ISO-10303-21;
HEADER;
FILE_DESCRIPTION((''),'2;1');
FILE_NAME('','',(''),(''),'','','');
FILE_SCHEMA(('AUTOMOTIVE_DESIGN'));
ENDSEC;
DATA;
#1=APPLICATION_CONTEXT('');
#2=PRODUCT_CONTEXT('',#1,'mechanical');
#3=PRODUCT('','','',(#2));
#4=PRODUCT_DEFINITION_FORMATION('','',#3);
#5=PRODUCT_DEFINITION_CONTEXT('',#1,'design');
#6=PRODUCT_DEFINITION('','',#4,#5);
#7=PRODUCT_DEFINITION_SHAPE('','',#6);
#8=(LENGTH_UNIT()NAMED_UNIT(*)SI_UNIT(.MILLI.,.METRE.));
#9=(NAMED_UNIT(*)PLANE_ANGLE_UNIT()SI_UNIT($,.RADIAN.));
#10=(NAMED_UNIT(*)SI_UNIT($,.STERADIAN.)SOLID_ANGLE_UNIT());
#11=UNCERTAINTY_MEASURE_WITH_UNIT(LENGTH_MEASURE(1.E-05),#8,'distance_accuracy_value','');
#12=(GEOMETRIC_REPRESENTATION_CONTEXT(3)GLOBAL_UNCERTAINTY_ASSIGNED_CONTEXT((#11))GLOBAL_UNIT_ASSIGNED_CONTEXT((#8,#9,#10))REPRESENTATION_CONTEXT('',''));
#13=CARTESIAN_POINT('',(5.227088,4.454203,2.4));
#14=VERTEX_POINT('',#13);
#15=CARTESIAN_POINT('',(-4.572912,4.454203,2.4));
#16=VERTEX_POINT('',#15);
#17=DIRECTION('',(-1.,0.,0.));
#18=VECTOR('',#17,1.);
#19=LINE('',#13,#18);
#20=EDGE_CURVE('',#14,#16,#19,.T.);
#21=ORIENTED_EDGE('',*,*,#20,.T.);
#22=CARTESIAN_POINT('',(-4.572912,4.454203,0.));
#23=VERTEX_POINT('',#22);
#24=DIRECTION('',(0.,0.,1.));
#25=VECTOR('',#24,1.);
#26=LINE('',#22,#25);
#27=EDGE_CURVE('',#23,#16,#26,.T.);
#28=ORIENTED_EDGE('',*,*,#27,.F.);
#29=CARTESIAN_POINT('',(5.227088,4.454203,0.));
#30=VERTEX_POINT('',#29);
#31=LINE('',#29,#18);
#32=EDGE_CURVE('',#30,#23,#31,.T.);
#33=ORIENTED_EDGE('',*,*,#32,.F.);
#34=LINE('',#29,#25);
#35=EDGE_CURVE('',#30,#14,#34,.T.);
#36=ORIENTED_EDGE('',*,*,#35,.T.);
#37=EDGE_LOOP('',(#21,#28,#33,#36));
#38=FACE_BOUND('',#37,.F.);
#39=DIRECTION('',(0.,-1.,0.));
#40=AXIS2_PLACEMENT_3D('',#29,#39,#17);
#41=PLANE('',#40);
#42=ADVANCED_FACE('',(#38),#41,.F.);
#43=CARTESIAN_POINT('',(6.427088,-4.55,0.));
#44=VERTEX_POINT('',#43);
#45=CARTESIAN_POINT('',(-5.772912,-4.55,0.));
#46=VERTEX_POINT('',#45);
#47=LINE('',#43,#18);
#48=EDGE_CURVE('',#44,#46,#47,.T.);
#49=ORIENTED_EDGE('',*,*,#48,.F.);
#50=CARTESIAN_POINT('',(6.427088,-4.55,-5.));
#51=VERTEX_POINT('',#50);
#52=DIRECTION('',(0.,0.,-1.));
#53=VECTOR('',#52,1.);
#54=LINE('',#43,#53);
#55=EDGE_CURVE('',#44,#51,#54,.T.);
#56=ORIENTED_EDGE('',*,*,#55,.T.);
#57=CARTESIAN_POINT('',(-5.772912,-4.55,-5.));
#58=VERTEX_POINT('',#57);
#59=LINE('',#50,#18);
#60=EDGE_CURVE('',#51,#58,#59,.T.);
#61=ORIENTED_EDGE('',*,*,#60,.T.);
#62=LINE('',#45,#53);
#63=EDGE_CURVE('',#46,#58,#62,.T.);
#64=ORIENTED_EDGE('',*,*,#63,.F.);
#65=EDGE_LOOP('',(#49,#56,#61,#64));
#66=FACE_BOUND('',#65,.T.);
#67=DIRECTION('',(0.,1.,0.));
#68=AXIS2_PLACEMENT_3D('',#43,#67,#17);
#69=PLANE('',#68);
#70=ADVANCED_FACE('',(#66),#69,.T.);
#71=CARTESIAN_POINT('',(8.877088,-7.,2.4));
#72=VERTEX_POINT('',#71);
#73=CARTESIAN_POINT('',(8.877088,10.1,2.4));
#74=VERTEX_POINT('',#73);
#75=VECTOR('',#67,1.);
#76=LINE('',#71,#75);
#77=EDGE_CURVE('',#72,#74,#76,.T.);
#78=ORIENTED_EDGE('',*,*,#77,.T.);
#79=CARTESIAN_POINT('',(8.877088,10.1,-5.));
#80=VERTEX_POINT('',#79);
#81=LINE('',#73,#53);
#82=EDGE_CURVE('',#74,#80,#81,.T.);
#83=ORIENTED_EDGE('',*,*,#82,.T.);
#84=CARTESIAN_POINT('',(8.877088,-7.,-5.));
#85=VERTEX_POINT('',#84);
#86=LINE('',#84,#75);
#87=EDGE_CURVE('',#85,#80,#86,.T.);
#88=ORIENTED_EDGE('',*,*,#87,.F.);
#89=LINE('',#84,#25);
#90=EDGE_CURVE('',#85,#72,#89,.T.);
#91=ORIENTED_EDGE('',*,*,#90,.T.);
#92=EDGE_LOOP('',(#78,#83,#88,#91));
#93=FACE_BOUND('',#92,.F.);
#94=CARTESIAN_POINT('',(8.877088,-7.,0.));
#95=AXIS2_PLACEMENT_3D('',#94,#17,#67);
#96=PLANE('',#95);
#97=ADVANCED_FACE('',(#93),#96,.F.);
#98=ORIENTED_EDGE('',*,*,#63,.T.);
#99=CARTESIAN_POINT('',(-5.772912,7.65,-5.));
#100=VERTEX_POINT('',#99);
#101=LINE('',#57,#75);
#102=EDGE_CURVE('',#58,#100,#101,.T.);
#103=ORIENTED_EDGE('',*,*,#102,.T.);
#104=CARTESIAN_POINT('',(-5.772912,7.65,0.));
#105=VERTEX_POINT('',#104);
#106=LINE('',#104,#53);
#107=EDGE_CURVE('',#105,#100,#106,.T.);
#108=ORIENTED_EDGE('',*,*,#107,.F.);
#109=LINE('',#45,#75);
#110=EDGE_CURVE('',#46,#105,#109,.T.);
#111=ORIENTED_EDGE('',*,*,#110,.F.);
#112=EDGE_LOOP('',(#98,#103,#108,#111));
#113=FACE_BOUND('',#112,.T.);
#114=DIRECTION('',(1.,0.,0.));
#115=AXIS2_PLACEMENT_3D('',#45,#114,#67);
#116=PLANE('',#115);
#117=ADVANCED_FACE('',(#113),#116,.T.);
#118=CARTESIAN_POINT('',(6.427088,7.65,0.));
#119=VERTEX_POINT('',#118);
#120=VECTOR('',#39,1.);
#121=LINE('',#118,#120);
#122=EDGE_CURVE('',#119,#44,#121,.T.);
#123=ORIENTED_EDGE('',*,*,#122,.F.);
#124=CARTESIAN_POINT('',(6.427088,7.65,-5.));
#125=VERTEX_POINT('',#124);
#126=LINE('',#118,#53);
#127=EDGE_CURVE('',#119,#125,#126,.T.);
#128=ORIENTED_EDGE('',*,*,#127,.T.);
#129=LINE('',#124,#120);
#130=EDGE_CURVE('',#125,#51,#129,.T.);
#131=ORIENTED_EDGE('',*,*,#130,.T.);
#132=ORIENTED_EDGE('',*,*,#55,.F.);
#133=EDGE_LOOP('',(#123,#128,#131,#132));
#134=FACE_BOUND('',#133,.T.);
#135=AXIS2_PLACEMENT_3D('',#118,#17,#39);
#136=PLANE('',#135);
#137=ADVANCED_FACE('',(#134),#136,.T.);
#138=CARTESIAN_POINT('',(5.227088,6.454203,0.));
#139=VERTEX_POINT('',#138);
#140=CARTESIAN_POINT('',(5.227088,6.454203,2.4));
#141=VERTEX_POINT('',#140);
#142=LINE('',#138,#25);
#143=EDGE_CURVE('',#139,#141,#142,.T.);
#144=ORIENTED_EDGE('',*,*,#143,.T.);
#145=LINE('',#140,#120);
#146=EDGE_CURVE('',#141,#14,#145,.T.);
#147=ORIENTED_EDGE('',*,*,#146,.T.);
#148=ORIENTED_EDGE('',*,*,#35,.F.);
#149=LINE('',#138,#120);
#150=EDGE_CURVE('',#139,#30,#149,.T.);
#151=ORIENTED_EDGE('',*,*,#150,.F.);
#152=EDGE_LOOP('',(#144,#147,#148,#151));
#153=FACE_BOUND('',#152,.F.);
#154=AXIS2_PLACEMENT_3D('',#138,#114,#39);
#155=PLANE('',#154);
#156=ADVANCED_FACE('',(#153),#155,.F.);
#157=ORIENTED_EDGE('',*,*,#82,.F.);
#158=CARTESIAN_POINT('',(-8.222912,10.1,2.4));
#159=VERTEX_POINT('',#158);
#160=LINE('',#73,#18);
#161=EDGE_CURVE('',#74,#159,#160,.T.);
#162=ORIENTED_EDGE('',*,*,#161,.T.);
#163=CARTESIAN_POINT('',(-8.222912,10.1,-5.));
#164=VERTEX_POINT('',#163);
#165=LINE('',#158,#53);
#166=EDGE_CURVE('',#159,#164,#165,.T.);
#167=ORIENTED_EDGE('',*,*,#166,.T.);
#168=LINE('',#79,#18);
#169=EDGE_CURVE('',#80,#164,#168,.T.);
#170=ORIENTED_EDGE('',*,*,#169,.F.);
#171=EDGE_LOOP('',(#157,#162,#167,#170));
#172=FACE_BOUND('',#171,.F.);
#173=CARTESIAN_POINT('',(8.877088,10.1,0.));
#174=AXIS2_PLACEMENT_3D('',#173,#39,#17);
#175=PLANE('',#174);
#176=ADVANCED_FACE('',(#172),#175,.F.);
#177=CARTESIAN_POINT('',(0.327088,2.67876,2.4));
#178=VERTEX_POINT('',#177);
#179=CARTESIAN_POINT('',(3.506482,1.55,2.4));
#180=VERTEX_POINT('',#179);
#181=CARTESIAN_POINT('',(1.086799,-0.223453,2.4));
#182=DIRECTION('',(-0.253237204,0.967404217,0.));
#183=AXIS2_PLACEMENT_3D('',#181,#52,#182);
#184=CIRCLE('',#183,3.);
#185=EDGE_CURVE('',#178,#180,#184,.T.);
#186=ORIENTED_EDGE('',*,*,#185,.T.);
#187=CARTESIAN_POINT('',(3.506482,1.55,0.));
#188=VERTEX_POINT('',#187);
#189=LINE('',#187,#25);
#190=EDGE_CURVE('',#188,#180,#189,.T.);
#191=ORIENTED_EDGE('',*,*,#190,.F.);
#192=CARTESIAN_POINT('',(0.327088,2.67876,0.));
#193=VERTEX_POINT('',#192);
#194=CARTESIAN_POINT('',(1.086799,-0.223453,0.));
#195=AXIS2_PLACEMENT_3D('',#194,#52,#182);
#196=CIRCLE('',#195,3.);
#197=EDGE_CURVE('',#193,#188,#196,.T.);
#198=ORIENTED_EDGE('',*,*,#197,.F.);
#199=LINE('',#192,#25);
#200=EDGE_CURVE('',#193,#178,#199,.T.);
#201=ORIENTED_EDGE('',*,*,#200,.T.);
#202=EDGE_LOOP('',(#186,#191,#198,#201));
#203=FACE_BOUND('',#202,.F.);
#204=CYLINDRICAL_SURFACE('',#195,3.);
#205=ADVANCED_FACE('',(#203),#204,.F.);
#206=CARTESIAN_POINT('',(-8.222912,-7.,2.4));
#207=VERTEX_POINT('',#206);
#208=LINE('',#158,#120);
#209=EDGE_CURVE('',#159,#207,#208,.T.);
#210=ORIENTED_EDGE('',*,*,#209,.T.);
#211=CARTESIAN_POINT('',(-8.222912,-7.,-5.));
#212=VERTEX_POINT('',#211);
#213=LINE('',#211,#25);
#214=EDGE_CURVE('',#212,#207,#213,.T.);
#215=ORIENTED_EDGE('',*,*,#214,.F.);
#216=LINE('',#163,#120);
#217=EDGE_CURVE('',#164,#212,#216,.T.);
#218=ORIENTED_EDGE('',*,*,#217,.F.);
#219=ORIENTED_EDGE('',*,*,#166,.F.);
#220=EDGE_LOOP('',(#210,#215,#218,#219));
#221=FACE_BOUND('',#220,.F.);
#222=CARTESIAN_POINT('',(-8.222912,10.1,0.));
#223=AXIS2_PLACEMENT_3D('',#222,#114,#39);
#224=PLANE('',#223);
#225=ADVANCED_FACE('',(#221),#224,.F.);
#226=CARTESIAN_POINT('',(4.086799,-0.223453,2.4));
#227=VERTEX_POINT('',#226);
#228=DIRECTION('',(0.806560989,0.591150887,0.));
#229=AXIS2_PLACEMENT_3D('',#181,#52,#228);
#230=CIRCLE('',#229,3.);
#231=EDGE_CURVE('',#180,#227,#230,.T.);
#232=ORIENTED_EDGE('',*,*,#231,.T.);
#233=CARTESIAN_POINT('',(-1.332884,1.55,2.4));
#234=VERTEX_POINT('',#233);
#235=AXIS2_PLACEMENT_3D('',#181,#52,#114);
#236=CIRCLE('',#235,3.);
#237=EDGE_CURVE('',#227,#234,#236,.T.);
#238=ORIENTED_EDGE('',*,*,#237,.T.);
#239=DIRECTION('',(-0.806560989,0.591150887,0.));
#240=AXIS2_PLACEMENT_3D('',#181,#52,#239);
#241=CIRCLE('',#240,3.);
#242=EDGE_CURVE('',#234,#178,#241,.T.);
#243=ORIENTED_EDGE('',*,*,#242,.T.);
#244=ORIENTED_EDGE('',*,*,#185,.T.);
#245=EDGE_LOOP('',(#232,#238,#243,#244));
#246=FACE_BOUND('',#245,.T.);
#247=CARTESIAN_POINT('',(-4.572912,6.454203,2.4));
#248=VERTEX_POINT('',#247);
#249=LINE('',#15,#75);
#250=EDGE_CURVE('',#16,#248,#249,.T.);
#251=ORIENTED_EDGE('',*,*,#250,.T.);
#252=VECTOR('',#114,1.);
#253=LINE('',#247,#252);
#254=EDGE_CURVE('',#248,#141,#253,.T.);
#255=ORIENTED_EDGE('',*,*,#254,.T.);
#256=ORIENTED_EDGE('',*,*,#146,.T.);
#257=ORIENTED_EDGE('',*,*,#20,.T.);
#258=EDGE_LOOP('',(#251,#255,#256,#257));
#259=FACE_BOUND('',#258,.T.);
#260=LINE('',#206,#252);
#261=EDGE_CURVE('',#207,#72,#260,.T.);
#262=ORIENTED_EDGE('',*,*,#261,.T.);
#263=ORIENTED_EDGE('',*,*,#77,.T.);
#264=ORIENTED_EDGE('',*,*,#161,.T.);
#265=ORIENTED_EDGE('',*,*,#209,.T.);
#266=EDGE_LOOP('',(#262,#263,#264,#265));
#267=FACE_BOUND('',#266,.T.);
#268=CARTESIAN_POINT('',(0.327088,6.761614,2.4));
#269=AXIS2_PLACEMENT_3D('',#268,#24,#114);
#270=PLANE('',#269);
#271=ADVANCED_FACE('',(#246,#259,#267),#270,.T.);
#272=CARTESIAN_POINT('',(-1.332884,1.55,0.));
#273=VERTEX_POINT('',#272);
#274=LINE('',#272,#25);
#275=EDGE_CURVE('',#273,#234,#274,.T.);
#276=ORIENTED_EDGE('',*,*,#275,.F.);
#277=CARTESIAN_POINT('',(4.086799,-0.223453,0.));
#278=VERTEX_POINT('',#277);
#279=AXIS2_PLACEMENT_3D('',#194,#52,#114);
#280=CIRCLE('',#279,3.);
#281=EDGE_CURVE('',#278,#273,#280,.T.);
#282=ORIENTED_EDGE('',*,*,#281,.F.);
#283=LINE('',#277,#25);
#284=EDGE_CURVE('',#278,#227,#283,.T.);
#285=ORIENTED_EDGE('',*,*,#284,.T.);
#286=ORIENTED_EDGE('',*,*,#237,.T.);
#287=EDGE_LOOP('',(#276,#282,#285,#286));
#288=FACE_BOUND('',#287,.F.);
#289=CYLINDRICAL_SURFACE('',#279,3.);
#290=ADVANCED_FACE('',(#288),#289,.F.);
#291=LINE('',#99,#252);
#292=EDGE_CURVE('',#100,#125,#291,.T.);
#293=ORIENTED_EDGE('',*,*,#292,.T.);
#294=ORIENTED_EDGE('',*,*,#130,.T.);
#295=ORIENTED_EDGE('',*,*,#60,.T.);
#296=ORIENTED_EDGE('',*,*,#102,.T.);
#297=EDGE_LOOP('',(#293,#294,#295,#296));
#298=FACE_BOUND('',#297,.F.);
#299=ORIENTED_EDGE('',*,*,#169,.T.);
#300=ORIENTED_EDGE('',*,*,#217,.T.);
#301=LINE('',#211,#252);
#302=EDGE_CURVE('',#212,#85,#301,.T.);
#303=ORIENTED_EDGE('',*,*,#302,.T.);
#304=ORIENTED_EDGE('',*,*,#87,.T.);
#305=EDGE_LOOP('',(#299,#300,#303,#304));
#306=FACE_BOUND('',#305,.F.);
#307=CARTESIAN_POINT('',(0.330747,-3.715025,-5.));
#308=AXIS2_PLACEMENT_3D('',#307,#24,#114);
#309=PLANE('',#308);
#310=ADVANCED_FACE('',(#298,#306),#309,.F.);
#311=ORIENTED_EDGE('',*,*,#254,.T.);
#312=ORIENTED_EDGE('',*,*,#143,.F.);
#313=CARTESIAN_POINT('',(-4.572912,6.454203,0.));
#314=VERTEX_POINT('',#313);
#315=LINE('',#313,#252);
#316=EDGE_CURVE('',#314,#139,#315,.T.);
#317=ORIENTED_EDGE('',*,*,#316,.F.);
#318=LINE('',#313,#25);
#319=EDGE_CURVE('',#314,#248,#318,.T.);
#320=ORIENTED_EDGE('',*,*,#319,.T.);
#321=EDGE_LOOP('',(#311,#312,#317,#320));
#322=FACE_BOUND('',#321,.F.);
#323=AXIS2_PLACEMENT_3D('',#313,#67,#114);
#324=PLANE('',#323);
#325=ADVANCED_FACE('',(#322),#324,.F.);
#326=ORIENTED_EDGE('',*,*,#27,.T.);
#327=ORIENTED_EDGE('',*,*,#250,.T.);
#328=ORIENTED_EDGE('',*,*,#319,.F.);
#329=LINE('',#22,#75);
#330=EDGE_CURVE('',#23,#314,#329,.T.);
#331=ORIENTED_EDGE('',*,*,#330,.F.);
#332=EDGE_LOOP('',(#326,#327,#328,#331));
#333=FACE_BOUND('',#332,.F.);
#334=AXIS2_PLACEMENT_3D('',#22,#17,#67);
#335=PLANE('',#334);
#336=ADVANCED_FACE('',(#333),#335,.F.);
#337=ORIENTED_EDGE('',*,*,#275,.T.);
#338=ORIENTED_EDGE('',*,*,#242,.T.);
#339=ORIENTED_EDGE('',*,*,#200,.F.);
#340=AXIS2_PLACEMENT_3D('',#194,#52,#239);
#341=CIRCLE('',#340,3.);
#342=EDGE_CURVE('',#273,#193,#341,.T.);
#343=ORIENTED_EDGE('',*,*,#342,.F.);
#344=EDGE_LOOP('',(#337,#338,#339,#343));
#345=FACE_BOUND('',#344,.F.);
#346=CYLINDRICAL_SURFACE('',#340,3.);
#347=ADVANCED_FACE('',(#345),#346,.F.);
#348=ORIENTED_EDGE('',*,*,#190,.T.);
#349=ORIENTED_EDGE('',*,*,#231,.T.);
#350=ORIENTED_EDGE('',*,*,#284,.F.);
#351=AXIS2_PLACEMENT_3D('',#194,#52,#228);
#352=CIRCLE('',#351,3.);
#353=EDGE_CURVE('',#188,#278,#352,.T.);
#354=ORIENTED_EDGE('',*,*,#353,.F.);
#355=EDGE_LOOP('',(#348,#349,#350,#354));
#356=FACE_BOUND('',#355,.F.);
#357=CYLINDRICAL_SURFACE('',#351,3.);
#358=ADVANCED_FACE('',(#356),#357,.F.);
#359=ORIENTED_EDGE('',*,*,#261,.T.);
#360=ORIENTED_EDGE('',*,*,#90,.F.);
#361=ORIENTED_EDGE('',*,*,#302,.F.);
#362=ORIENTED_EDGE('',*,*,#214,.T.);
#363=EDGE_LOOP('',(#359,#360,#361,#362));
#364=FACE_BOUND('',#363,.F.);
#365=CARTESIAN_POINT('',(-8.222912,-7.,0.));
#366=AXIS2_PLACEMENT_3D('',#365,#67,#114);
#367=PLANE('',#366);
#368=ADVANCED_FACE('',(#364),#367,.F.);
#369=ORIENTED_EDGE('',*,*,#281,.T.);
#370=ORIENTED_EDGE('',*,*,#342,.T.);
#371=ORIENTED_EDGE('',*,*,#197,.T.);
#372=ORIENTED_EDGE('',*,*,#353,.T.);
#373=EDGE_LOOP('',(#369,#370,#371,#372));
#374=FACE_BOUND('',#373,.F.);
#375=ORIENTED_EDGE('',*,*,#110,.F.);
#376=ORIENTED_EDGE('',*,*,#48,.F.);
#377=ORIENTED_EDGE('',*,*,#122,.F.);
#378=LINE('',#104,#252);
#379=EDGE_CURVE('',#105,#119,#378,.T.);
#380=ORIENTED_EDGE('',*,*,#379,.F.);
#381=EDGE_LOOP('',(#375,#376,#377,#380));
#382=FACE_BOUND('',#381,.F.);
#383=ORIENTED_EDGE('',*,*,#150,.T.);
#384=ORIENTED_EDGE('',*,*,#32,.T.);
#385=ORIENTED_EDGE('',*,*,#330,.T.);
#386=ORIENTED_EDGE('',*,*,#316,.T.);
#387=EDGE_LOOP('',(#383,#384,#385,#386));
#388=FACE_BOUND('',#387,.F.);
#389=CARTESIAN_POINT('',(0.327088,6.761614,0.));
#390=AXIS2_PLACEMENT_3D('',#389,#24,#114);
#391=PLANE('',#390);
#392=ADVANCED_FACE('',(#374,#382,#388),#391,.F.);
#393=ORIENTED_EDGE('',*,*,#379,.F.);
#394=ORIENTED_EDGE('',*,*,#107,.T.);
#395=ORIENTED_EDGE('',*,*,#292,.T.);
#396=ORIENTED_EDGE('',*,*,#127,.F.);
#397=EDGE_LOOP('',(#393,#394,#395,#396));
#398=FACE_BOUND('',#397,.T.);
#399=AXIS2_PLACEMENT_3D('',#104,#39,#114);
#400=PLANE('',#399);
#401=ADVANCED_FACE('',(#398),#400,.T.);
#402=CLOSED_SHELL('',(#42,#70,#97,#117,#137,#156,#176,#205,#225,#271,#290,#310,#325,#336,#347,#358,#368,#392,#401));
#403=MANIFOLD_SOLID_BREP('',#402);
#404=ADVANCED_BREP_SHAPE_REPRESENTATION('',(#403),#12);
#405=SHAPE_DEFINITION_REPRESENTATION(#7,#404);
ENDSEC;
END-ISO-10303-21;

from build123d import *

# Parameters (mm, degrees)
F1_DEPTH = 5
F2_DEPTH = 2.4


with BuildPart() as f1:
    # F0 (on Top) → F1 (new body)
    with BuildSketch(Plane.XY):
        with BuildLine():
            Line((-8.2229121849, -7), (8.8770878151, -7))
            Line((8.8770878151, -7), (8.8770878151, -4.5))
            Line((8.8770878151, -4.5), (8.8770878151, 1.55))
            Line((8.8770878151, 1.55), (6.4270878151, 1.55))
            Line((6.4270878151, 1.55), (6.4270878151, -4.55))
            Line((6.4270878151, -4.55), (3.9714117296, -4.55))
            ThreePointArc((3.9714117296, -4.55), (1.0867994279, -5.4234526619), (-1.7978128738, -4.55))
            Line((-1.7978128738, -4.55), (-5.7729121849, -4.55))
            Line((-5.7729121849, -4.55), (-5.7729121849, 1.55))
            Line((-5.7729121849, 1.55), (-8.2229121849, 1.55))
            Line((-8.2229121849, 1.55), (-8.2229121849, -7))
        make_face()
        Polygon((-8.2229121849, 10.1), (-8.2229121849, 1.55), (-5.7729121849, 1.55), (-5.7729121849, 7.65), (6.4270878151, 7.65), (6.4270878151, 1.55), (8.8770878151, 1.55), (8.8770878151, 7.6), (8.8770878151, 10.1), align=None)
        with BuildLine():
            Line((3.9714117296, -4.55), (-1.7978128738, -4.55))
            ThreePointArc((-1.7978128738, -4.55), (1.0867994279, -5.4234526619), (3.9714117296, -4.55))
        make_face()
    extrude(amount=-F1_DEPTH)

    # F0 (on Top) → F2 (join)
    with BuildSketch(Plane.XY):
        Polygon((-8.2229121849, 10.1), (-8.2229121849, 1.55), (-5.7729121849, 1.55), (-5.7729121849, 7.65), (6.4270878151, 7.65), (6.4270878151, 1.55), (8.8770878151, 1.55), (8.8770878151, 7.6), (8.8770878151, 10.1), align=None)
        with BuildLine():
            Line((-5.7729121849, 7.65), (-5.7729121849, 1.55))
            Line((-5.7729121849, 1.55), (-3.8014380516, 1.55))
            ThreePointArc((-3.8014380516, 1.55), (-2.776349623, 3.2573632497), (-1.1846618734, 4.4542031139))
            Line((-1.1846618734, 4.4542031139), (-4.5729121849, 4.4542031139))
            Line((-4.5729121849, 4.4542031139), (-4.5729121849, 6.4542031139))
            Line((-4.5729121849, 6.4542031139), (5.2270878151, 6.4542031139))
            Line((5.2270878151, 6.4542031139), (5.2270878151, 4.4542031139))
            Line((5.2270878151, 4.4542031139), (3.3582607291, 4.4542031139))
            ThreePointArc((3.3582607291, 4.4542031139), (4.9499484788, 3.2573632497), (5.9750369074, 1.55))
            Line((5.9750369074, 1.55), (6.4270878151, 1.55))
            Line((6.4270878151, 1.55), (6.4270878151, 7.65))
            Line((6.4270878151, 7.65), (-5.7729121849, 7.65))
        make_face()
        with BuildLine():
            ThreePointArc((-1.1846618734, 4.4542031139), (-2.776349623, 3.2573632497), (-3.8014380516, 1.55))
            Line((-3.8014380516, 1.55), (-1.3328835382, 1.55))
            ThreePointArc((-1.3328835382, 1.55), (-0.6001096537, 2.2573411124), (0.3270878151, 2.678759988))
            Line((0.3270878151, 2.678759988), (0.3270878151, 4.4542031139))
            Line((0.3270878151, 4.4542031139), (-1.1846618734, 4.4542031139))
        make_face()
        with BuildLine():
            Line((3.5064823939, 1.55), (5.9750369074, 1.55))
            ThreePointArc((5.9750369074, 1.55), (4.9499484788, 3.2573632497), (3.3582607291, 4.4542031139))
            Line((3.3582607291, 4.4542031139), (0.3270878151, 4.4542031139))
            Line((0.3270878151, 4.4542031139), (0.3270878151, 2.678759988))
            ThreePointArc((0.3270878151, 2.678759988), (2.0904931068, 2.6036658356), (3.5064823939, 1.55))
        make_face()
        with BuildLine():
            Line((-1.3328835382, 1.55), (-3.8014380516, 1.55))
            ThreePointArc((-3.8014380516, 1.55), (-3.8535242893, -1.8461669219), (-1.7978128738, -4.55))
            Line((-1.7978128738, -4.55), (3.9714117296, -4.55))
            ThreePointArc((3.9714117296, -4.55), (5.6715559082, -2.6770231246), (6.2867994279, -0.2234526619))
            ThreePointArc((6.2867994279, -0.2234526619), (6.2082657654, 0.6768709207), (5.9750369074, 1.55))
            Line((5.9750369074, 1.55), (3.5064823939, 1.55))
            ThreePointArc((3.5064823939, 1.55), (3.938031521, 0.7095401307), (4.0867994279, -0.2234526619))
            ThreePointArc((4.0867994279, -0.2234526619), (0.1538066353, -3.074684755), (-1.3328835382, 1.55))
        make_face()
        with BuildLine():
            Line((-3.8014380516, 1.55), (-5.7729121849, 1.55))
            Line((-5.7729121849, 1.55), (-5.7729121849, -4.55))
            Line((-5.7729121849, -4.55), (-1.7978128738, -4.55))
            ThreePointArc((-1.7978128738, -4.55), (-3.8535242893, -1.8461669219), (-3.8014380516, 1.55))
        make_face()
        with BuildLine():
            Line((-8.2229121849, -7), (8.8770878151, -7))
            Line((8.8770878151, -7), (8.8770878151, -4.5))
            Line((8.8770878151, -4.5), (8.8770878151, 1.55))
            Line((8.8770878151, 1.55), (6.4270878151, 1.55))
            Line((6.4270878151, 1.55), (6.4270878151, -4.55))
            Line((6.4270878151, -4.55), (3.9714117296, -4.55))
            ThreePointArc((3.9714117296, -4.55), (1.0867994279, -5.4234526619), (-1.7978128738, -4.55))
            Line((-1.7978128738, -4.55), (-5.7729121849, -4.55))
            Line((-5.7729121849, -4.55), (-5.7729121849, 1.55))
            Line((-5.7729121849, 1.55), (-8.2229121849, 1.55))
            Line((-8.2229121849, 1.55), (-8.2229121849, -7))
        make_face()
        with BuildLine():
            Line((3.9714117296, -4.55), (-1.7978128738, -4.55))
            ThreePointArc((-1.7978128738, -4.55), (1.0867994279, -5.4234526619), (3.9714117296, -4.55))
        make_face()
        with BuildLine():
            Line((6.4270878151, -4.55), (6.4270878151, 1.55))
            Line((6.4270878151, 1.55), (5.9750369074, 1.55))
            ThreePointArc((5.9750369074, 1.55), (6.2082657654, 0.6768709207), (6.2867994279, -0.2234526619))
            ThreePointArc((6.2867994279, -0.2234526619), (5.6715559082, -2.6770231246), (3.9714117296, -4.55))
            Line((3.9714117296, -4.55), (6.4270878151, -4.55))
        make_face()
    extrude(amount=F2_DEPTH)


solid = f1.part
